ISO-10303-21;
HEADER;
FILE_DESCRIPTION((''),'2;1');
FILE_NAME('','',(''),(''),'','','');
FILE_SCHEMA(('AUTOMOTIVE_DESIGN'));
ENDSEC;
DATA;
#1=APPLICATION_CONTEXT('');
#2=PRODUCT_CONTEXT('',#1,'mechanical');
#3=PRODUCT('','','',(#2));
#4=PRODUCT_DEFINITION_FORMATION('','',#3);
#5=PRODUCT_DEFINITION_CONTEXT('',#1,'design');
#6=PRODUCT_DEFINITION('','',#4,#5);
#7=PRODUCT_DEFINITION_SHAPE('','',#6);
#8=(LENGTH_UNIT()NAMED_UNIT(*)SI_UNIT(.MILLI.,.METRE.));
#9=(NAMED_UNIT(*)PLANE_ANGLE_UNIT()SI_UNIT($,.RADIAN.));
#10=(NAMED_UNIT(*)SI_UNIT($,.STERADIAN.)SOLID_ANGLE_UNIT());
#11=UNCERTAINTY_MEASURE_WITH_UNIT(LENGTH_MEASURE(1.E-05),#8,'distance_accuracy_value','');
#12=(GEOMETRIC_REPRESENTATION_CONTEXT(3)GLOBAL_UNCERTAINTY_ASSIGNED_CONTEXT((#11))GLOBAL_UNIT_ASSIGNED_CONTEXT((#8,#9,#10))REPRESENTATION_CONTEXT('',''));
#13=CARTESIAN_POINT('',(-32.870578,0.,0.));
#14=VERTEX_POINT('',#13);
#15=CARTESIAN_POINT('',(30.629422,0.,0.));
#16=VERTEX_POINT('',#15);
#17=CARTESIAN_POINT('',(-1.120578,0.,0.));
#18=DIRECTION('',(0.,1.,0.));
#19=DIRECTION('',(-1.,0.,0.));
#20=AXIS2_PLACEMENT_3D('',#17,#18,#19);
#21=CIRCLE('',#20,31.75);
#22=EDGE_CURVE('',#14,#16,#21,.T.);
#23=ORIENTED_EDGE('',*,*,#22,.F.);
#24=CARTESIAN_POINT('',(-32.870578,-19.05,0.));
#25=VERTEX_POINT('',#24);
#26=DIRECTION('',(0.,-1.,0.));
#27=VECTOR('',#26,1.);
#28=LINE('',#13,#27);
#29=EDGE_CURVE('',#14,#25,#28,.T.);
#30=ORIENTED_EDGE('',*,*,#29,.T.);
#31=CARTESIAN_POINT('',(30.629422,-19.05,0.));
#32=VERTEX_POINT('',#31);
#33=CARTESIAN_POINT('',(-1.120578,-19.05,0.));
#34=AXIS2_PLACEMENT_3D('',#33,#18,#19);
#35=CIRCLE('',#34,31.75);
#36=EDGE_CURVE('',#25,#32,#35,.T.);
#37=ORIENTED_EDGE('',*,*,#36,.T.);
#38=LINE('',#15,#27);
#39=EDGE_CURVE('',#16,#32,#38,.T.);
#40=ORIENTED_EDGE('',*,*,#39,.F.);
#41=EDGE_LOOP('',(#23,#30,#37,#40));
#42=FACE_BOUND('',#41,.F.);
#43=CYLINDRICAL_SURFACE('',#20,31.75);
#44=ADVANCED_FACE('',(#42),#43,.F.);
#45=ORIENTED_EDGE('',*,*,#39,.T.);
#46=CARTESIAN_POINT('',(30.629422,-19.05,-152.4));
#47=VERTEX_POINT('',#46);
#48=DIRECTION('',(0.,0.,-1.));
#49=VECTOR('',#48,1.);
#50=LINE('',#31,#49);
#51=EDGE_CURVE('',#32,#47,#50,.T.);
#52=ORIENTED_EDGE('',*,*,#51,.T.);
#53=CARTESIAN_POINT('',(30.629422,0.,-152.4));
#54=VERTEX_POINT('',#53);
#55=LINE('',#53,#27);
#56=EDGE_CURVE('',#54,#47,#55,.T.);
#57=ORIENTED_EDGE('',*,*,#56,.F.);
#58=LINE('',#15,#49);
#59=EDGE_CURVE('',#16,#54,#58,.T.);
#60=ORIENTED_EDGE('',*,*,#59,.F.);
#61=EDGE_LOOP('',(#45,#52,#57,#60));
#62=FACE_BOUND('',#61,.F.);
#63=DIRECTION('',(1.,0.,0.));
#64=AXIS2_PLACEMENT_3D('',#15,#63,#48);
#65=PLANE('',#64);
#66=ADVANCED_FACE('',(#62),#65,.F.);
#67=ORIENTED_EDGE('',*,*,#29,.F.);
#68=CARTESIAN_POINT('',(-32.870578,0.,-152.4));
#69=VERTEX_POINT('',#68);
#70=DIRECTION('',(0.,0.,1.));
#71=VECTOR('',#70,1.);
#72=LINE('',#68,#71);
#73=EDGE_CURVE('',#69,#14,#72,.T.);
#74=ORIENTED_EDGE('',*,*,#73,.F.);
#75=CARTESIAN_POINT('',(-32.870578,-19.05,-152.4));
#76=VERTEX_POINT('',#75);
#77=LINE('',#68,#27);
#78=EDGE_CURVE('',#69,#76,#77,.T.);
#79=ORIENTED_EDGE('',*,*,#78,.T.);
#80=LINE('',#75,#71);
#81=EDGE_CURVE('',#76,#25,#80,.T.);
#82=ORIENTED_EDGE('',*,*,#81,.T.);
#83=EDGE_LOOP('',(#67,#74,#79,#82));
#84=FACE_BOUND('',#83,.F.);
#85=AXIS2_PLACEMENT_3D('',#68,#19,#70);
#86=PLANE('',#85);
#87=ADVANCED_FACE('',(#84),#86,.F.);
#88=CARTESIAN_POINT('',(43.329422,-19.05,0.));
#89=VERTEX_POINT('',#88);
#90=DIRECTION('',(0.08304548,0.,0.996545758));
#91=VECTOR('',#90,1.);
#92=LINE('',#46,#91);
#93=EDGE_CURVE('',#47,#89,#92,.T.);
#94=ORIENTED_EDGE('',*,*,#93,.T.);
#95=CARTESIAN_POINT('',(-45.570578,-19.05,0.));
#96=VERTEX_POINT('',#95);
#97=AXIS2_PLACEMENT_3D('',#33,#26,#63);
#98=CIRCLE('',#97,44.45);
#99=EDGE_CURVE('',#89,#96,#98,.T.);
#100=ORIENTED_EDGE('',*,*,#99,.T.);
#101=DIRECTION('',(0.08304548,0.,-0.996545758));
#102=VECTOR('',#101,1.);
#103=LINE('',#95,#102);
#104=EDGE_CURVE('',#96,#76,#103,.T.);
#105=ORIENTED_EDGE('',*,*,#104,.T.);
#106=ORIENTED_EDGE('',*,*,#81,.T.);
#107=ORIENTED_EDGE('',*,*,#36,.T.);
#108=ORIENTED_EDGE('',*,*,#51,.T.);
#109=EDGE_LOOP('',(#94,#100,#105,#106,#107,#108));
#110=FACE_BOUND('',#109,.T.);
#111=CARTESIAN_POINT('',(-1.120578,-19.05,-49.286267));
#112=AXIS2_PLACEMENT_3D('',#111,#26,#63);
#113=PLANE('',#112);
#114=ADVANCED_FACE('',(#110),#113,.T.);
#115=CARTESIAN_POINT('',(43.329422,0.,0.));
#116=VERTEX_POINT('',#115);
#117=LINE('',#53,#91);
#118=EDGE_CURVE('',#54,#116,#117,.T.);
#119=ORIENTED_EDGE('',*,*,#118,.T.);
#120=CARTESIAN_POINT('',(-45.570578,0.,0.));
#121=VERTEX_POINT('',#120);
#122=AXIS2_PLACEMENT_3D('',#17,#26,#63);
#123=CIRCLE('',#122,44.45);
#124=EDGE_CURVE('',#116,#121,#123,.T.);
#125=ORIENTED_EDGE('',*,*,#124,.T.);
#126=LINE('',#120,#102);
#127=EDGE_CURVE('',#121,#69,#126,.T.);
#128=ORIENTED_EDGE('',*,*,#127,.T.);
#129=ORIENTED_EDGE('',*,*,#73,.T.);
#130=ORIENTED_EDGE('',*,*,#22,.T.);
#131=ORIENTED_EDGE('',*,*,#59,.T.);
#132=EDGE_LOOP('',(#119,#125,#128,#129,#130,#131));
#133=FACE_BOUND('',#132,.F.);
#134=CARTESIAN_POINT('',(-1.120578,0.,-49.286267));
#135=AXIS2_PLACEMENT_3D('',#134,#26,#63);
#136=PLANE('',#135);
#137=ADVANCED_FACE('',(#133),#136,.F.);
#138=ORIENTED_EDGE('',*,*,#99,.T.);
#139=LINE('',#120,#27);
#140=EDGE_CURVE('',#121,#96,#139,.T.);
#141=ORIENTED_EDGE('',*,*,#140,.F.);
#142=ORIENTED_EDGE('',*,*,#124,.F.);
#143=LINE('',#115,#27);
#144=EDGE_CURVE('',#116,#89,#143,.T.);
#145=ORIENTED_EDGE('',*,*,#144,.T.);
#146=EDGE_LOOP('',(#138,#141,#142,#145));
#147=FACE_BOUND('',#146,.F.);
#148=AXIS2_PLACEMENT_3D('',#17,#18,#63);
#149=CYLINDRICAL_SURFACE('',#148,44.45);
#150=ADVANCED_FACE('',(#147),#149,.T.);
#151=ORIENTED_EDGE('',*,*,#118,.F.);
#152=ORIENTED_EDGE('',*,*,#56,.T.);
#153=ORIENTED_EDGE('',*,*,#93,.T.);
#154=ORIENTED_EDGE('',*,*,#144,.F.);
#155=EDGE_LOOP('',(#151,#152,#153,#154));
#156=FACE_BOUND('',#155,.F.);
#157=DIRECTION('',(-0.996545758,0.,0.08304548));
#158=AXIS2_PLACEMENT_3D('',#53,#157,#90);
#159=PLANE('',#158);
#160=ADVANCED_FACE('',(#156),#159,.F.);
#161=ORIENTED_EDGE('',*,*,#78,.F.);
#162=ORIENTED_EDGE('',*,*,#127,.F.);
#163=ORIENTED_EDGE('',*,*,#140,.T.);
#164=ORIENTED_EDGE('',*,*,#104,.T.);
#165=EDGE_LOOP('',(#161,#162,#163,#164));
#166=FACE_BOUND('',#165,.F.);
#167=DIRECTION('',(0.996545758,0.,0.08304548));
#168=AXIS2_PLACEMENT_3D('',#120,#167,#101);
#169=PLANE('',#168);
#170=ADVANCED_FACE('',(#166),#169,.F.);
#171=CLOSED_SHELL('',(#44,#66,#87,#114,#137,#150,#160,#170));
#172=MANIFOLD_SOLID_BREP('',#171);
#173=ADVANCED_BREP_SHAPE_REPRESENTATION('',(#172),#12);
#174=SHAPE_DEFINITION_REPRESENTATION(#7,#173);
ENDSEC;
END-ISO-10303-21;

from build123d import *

# Parameters (mm, degrees)
F1_DEPTH = 19.05


with BuildPart() as f1:
    # F0 (on Front) → F1 (new body)
    with BuildSketch(Plane.XZ):
        with BuildLine():
            ThreePointArc((-32.870578, 0), (-1.120578, 31.75), (30.629422, 0))
            Line((30.629422, 0), (30.629422, -152.4))
            Line((30.629422, -152.4), (43.329422, 0))
            ThreePointArc((43.329422, 0), (-1.120578, 44.45), (-45.570578, 0))
            Line((-45.570578, 0), (-32.870578, -152.4))
            Line((-32.870578, -152.4), (-32.870578, 0))
        make_face()
    extrude(amount=F1_DEPTH)


solid = f1.part
